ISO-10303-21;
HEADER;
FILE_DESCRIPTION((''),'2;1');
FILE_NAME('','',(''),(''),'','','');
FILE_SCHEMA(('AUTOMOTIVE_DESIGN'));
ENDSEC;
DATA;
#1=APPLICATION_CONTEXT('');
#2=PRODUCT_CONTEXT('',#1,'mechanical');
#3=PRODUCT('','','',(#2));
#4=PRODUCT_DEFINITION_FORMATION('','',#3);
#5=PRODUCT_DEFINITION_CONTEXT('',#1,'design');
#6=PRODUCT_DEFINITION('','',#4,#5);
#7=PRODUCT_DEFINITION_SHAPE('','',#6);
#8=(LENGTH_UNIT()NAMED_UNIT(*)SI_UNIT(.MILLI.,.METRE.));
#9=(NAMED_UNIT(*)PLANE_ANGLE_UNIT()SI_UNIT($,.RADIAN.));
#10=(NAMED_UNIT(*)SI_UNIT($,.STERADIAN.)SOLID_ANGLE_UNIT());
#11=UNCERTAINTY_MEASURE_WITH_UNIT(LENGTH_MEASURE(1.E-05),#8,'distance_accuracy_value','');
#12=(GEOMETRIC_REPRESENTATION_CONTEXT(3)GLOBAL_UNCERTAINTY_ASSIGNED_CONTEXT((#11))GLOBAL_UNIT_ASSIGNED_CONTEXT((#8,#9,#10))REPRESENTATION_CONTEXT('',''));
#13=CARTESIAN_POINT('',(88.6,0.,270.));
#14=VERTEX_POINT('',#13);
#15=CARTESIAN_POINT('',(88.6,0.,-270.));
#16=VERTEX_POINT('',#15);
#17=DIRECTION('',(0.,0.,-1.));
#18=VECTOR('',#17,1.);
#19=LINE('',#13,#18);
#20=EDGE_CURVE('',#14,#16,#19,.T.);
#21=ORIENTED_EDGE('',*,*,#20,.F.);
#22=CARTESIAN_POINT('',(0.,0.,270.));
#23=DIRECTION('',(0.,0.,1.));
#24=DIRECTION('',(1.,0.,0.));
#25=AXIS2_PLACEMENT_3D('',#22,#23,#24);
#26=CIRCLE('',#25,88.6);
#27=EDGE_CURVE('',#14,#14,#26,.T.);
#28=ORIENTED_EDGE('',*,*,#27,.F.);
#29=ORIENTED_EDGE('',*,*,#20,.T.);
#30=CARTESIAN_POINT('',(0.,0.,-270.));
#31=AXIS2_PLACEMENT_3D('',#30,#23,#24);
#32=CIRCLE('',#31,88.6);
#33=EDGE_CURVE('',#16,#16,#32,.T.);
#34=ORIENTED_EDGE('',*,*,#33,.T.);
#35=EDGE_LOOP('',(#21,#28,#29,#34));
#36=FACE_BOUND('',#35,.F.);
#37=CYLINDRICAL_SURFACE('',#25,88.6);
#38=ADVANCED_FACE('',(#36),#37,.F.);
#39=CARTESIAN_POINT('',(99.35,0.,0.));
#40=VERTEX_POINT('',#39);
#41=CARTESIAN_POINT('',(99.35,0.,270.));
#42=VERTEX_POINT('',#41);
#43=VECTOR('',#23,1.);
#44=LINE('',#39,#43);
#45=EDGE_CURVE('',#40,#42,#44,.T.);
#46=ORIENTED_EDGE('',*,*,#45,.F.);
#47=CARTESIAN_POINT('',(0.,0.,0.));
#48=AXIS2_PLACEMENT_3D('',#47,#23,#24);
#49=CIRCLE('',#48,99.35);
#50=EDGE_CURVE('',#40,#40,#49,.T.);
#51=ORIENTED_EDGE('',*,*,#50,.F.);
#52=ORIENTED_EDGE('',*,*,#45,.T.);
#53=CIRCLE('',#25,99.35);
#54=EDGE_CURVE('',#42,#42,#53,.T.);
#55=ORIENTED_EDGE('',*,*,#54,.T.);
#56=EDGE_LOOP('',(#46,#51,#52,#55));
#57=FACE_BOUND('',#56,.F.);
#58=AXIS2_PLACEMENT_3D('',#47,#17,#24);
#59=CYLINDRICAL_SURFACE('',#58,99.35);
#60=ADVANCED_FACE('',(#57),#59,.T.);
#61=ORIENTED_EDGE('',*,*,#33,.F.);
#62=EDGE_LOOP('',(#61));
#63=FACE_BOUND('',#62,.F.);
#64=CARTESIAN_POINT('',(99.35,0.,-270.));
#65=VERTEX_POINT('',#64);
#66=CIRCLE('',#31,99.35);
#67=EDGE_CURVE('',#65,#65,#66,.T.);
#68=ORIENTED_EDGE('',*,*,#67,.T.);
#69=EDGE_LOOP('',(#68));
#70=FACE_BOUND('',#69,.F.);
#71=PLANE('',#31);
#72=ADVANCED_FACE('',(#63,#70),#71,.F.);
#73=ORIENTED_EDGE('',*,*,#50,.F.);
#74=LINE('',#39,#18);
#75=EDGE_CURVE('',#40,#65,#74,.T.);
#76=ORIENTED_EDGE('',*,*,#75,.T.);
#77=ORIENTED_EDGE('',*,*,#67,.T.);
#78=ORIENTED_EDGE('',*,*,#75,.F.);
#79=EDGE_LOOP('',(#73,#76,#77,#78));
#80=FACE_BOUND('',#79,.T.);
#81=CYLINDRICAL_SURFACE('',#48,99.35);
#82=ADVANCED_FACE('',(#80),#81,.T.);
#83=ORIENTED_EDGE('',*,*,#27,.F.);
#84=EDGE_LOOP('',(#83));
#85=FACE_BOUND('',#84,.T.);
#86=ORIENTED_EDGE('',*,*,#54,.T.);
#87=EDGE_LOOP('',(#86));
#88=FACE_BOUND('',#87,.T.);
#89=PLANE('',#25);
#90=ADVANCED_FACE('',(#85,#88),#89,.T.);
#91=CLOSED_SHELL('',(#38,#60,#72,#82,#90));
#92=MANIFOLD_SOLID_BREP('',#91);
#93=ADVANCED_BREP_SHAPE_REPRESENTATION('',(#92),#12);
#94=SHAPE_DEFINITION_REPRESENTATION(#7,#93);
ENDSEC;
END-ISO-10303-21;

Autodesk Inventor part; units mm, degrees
ref_plane "YZ Plane" through (0, 0, 0) normal (1, 0, 0) x (0, 1, 0)
ref_plane "XZ Plane" through (0, 0, 0) normal (0, 1, 0) x (-1, 0, 0)
ref_plane "XY Plane" through (0, 0, 0) normal (0, 0, 1) x (1, 0, 0)
sketch "Sketch1" plane through (0, 0, 0) normal (0, 0, 1) x (1, 0, 0)
  circle A0 centre (0, 0) radius 99.35
  dimension "d0" = 198.7
extrude "Extrusion1" add sketch "Sketch1" along normal mid plane 540
sketch "Sketch2" plane through (0, 0, 270) normal (0, 0, 1) x (1, 0, 0)
  circle A0 centre (0, 0) radius 88.6
  dimension "d3" = 177.2
extrude "Extrusion2" cut sketch "Sketch2" against normal through all
properties part number "ALPHA-II-CT_2"
